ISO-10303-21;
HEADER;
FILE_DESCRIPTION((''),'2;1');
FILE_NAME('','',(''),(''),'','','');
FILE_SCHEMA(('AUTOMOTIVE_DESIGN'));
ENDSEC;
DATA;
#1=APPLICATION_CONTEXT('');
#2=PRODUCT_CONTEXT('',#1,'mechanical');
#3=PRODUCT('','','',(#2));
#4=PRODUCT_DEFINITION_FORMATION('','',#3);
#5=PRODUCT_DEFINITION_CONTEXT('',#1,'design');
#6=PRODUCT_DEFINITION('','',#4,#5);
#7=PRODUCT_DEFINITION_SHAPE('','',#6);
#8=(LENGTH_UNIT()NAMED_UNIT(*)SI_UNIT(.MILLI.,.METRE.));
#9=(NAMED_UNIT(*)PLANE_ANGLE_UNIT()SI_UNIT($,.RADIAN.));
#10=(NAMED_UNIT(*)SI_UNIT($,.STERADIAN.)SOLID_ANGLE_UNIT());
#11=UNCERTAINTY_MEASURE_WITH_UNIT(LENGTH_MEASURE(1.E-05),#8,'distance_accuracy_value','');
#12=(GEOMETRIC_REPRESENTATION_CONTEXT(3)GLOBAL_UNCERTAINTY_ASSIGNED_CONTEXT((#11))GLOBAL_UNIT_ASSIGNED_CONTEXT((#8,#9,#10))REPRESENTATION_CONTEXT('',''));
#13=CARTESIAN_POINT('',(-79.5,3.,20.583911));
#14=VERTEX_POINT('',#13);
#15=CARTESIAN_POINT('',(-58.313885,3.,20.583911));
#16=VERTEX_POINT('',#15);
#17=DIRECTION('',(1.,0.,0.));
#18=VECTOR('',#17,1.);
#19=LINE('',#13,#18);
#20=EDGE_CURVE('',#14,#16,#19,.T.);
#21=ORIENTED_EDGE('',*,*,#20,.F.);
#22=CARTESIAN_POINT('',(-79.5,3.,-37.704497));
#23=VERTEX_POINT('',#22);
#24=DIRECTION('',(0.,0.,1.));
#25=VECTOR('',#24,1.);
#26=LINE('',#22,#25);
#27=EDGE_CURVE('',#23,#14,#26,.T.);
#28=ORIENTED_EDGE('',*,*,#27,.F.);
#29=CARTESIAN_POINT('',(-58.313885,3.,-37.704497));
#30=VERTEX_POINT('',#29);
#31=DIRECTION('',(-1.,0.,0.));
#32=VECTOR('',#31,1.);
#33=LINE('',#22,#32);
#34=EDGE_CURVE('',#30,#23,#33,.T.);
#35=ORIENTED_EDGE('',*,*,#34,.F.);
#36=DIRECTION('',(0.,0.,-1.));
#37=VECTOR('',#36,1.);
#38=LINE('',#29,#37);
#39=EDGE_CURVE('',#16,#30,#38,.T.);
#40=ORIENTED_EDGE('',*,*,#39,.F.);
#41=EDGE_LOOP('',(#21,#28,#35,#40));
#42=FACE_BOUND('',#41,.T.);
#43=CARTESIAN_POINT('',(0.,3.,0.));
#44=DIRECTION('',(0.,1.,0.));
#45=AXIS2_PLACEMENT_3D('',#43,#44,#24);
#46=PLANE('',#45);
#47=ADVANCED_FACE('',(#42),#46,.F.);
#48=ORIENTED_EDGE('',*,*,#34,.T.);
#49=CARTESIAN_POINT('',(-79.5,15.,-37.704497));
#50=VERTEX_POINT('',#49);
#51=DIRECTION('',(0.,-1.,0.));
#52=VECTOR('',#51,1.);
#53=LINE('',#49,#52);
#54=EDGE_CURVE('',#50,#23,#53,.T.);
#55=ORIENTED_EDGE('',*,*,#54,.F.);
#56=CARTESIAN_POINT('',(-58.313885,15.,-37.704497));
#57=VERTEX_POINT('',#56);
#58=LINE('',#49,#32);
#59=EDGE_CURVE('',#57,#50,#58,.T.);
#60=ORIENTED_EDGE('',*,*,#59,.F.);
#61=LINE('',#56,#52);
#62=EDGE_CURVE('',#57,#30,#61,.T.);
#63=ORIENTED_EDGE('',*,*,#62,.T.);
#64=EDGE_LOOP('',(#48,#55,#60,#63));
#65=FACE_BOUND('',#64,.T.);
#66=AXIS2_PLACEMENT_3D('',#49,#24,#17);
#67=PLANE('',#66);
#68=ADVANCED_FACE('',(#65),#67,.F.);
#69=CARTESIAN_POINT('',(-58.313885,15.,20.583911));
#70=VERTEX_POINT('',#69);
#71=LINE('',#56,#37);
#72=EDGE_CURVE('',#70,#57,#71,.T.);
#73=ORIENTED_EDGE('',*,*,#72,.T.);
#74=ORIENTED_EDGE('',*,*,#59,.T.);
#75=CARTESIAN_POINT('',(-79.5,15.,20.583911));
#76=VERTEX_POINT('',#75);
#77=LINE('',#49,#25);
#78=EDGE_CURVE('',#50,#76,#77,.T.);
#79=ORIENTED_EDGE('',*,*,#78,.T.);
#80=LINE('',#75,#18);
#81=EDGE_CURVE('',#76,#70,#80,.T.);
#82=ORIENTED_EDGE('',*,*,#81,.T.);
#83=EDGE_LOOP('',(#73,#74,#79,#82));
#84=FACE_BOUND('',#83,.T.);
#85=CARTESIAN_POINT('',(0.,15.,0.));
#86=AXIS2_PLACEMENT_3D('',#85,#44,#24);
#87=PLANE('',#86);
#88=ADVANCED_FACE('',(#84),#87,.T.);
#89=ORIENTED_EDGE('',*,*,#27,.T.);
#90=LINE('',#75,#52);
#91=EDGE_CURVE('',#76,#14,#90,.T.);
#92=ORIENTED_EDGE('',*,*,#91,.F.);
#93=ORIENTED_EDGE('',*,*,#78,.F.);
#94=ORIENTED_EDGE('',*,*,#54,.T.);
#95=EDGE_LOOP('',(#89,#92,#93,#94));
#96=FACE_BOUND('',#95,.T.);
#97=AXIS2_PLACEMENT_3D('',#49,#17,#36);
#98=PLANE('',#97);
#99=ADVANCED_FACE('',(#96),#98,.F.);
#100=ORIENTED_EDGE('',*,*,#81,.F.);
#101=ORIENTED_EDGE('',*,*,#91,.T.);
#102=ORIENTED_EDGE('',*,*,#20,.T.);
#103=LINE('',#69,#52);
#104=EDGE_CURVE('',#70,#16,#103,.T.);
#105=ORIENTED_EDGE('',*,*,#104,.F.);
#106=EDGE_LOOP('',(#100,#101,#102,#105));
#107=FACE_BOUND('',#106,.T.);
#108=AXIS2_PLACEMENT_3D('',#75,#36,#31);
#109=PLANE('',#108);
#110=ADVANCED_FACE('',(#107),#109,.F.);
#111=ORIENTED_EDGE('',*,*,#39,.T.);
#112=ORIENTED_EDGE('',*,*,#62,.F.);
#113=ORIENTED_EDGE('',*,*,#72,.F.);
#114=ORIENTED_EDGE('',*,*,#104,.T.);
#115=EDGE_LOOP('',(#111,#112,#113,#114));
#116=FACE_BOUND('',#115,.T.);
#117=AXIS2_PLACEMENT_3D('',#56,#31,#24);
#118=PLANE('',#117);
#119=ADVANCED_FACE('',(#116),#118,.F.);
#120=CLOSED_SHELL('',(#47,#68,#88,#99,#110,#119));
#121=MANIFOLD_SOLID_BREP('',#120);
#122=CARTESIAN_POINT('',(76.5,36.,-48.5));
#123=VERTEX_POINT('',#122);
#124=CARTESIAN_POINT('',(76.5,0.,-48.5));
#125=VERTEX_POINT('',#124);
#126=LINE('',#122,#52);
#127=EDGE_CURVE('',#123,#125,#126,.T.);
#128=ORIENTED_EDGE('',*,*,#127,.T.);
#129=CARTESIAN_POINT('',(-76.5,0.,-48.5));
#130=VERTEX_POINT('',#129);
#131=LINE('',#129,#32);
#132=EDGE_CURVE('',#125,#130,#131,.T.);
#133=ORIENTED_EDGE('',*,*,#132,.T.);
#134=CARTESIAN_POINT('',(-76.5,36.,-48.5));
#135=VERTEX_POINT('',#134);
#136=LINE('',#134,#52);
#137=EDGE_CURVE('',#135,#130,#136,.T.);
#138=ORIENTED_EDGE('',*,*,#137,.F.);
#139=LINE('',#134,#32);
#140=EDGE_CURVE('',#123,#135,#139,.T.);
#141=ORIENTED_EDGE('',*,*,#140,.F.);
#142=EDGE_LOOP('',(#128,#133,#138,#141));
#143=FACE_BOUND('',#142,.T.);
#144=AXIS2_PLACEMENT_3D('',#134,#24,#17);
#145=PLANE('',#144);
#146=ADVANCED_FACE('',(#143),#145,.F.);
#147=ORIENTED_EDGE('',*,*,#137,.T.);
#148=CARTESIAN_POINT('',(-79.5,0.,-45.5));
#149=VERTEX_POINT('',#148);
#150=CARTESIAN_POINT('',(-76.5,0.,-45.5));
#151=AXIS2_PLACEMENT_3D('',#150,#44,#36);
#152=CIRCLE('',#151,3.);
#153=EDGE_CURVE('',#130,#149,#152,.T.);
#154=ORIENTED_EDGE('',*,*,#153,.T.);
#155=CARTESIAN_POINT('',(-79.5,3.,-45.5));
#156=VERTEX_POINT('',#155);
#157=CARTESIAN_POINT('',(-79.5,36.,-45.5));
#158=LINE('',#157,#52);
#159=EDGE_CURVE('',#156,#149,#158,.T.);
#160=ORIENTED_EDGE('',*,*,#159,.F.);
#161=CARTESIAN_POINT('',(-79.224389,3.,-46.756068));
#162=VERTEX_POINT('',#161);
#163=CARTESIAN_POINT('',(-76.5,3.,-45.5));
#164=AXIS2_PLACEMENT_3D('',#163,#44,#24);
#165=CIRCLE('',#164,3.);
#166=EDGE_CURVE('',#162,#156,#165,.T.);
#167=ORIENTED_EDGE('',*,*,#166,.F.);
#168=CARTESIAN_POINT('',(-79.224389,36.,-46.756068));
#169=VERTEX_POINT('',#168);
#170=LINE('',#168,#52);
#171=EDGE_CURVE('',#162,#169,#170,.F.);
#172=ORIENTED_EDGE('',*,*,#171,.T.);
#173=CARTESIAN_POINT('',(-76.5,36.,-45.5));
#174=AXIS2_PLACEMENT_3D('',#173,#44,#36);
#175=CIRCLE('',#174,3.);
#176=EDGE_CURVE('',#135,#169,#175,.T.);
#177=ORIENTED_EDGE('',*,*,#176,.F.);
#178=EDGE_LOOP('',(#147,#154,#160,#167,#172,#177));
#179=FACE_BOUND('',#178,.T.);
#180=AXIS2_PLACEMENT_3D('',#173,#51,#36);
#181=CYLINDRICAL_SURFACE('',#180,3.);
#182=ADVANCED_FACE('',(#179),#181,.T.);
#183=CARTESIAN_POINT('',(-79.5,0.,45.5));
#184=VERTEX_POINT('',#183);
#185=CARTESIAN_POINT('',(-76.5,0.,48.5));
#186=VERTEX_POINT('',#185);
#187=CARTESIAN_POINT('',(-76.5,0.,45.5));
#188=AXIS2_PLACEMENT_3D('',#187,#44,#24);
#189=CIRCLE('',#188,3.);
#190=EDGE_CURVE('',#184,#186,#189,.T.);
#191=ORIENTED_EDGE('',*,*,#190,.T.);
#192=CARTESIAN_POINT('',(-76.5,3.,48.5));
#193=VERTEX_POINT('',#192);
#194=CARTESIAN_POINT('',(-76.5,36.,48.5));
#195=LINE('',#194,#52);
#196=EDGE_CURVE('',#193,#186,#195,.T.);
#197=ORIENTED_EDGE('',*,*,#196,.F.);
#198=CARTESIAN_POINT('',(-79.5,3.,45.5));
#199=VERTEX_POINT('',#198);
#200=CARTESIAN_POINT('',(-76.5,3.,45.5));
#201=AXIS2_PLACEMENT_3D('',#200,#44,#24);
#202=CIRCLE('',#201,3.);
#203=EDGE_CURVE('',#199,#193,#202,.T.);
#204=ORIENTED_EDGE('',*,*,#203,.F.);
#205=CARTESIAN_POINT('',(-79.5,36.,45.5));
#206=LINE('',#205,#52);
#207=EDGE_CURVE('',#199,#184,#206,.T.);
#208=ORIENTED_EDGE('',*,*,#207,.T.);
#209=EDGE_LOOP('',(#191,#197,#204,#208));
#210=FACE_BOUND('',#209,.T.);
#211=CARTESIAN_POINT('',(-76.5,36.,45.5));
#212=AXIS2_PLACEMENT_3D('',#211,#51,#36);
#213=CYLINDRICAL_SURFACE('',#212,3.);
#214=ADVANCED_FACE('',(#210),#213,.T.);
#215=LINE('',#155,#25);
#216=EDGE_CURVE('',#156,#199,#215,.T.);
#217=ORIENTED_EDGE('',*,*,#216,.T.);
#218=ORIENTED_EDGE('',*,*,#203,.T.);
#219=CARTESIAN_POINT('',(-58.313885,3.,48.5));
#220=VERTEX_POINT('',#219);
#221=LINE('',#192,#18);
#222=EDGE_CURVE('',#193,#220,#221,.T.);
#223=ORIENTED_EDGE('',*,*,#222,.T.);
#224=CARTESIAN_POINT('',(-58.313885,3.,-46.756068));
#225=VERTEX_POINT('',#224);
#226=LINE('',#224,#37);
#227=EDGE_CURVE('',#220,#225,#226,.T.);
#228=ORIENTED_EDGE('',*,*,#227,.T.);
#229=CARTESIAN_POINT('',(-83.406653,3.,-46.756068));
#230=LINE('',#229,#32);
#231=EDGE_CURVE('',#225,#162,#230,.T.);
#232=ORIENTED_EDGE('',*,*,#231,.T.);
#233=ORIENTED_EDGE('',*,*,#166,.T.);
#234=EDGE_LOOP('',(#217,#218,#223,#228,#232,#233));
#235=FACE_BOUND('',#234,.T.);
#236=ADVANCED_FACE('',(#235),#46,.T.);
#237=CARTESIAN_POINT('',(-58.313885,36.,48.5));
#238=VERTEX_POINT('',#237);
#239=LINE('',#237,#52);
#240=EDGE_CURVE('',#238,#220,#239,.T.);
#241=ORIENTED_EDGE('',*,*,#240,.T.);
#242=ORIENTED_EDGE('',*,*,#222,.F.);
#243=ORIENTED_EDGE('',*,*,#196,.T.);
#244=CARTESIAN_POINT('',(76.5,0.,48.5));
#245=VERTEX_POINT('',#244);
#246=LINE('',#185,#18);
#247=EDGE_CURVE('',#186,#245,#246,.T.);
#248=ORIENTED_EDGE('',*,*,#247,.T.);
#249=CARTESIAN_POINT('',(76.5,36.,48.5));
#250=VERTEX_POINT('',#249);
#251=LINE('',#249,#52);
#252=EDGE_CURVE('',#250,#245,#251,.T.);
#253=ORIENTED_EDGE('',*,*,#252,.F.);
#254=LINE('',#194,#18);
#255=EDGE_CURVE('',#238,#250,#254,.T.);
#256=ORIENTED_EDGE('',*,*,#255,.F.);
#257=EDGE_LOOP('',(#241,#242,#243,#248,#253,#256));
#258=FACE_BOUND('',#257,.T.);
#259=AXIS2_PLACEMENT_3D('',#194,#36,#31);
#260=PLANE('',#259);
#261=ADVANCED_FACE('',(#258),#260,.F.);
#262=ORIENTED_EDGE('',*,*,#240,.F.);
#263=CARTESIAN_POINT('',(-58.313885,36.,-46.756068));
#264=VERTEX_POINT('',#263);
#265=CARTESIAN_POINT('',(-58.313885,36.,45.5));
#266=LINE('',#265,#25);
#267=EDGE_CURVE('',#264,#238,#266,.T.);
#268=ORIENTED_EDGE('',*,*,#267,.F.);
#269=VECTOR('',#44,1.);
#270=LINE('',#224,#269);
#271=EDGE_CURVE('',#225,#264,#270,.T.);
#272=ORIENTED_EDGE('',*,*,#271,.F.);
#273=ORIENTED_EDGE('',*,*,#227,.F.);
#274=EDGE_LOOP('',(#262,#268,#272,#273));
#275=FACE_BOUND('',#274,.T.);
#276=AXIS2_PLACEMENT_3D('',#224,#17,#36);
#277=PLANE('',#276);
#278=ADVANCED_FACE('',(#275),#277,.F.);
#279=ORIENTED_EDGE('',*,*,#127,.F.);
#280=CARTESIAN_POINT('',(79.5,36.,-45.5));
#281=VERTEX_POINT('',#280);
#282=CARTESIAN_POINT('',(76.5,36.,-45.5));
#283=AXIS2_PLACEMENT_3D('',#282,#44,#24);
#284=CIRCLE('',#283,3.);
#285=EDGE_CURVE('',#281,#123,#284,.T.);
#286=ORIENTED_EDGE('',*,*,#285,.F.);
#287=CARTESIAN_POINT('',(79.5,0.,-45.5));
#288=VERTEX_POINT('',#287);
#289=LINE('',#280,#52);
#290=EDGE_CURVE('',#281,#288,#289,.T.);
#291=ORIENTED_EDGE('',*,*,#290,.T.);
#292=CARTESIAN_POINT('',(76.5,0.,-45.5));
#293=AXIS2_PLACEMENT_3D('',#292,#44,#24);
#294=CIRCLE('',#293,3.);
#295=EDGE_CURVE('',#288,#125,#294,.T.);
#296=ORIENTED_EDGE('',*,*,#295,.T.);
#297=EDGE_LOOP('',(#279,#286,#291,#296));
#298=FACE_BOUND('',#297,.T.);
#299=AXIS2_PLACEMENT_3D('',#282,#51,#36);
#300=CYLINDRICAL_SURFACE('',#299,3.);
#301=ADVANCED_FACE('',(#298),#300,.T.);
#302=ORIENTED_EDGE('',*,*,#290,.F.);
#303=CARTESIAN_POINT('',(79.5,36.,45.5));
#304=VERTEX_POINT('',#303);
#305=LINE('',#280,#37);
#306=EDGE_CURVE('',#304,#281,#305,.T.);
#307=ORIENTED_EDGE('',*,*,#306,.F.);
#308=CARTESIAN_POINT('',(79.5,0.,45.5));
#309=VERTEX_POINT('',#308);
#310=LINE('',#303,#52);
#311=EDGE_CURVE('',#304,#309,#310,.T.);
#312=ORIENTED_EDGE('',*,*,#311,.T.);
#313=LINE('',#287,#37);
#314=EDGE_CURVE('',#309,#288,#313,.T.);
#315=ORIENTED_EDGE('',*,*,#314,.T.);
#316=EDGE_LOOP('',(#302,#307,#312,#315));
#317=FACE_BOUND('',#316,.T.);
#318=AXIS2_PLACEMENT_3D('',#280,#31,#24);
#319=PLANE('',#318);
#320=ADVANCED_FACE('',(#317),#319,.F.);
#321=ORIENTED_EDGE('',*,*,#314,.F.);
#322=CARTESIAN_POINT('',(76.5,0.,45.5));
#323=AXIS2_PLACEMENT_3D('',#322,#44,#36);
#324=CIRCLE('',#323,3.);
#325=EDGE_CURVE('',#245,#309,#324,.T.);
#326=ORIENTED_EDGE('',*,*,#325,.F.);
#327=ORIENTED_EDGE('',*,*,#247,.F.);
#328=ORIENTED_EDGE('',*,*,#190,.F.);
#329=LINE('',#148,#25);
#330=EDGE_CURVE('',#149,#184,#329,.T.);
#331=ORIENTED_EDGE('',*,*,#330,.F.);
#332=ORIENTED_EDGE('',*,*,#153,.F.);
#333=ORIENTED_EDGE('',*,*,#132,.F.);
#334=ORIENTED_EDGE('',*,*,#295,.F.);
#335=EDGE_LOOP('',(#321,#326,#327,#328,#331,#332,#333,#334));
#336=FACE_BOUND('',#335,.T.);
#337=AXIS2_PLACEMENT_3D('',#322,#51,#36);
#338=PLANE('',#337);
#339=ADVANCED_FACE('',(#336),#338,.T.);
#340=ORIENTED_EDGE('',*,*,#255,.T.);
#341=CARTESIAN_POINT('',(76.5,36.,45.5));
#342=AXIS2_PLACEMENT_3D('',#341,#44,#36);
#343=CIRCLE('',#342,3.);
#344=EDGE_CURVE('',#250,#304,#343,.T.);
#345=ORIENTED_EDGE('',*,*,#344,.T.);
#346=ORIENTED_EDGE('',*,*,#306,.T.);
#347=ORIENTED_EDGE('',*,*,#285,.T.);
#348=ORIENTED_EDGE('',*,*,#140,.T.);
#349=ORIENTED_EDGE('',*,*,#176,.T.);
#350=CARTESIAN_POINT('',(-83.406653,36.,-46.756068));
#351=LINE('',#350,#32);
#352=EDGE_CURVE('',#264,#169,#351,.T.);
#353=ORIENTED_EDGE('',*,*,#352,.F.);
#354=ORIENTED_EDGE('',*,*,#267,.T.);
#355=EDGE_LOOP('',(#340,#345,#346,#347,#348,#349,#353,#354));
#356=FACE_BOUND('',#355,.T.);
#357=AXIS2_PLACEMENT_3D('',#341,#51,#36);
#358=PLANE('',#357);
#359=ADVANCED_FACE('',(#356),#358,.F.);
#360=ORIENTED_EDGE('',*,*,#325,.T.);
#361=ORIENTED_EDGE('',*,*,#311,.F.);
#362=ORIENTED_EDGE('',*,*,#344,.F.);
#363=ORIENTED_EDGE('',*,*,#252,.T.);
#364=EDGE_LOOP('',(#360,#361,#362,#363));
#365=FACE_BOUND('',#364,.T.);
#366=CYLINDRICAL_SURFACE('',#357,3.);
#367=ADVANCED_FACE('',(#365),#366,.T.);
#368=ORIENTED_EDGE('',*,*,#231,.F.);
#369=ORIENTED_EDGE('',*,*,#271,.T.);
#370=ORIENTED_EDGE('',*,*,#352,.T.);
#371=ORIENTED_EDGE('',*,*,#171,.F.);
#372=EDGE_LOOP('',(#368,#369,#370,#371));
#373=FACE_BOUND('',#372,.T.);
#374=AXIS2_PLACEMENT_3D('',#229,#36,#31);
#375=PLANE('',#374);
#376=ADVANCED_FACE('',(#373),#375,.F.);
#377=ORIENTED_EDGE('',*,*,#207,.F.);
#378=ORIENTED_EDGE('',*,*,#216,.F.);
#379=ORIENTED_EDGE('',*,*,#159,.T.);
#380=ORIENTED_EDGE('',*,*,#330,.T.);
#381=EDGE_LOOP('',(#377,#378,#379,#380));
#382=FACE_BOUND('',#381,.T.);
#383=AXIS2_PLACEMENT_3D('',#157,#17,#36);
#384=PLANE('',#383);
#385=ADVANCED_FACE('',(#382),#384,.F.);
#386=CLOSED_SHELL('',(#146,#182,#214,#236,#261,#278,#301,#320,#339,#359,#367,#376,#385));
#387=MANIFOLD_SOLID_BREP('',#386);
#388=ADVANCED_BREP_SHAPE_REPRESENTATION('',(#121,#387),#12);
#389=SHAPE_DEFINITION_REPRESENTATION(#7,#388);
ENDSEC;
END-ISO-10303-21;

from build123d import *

# Parameters (mm, degrees)
BOSS_EXTRUDE1_DEPTH = 36
SKETCH2_W           = 25.092767626
SKETCH2_H           = 98.018623539
CUT_EXTRUDE1_DEPTH  = 33
SKETCH3_W           = 21.186114989
SKETCH3_H           = 58.288408131
BOSS_EXTRUDE2_DEPTH = 12


with BuildPart() as part:
    # Sketch1 → Boss-Extrude1 (new body)
    with BuildSketch(Plane(origin=(0, 0, 0), x_dir=(1, 0, 0), z_dir=(0, 1, 0))):
        with BuildLine():
            Line((-76.5, 48.5), (76.5, 48.5))
            ThreePointArc((76.5, 48.5), (78.621320344, 47.621320344), (79.5, 45.5))
            Line((79.5, 45.5), (79.5, -45.5))
            ThreePointArc((79.5, -45.5), (78.621320344, -47.621320344), (76.5, -48.5))
            Line((76.5, -48.5), (-76.5, -48.5))
            ThreePointArc((-76.5, -48.5), (-78.621320344, -47.621320344), (-79.5, -45.5))
            Line((-79.5, -45.5), (-79.5, 45.5))
            ThreePointArc((-79.5, 45.5), (-78.621320344, 47.621320344), (-76.5, 48.5))
        make_face()
    extrude(amount=BOSS_EXTRUDE1_DEPTH)

    # Sketch2 → Cut-Extrude1 (cut)
    with BuildSketch(Plane(origin=(0, 36, 0), x_dir=(1, 0, 0), z_dir=(0, 1, 0))):
        with Locations((-70.860268824, -2.253243676)):
            Rectangle(SKETCH2_W, SKETCH2_H)
    extrude(amount=-CUT_EXTRUDE1_DEPTH, mode=Mode.SUBTRACT)


with BuildPart() as body_2:
    # Sketch3 → Boss-Extrude2 (new body)
    with BuildSketch(Plane(origin=(0, 3, 0), x_dir=(1, 0, 0), z_dir=(0, 1, 0))):
        with Locations((-68.906942505, 8.560293123)):
            Rectangle(SKETCH3_W, SKETCH3_H)
    extrude(amount=BOSS_EXTRUDE2_DEPTH)


solid = Compound([part.part, body_2.part])
